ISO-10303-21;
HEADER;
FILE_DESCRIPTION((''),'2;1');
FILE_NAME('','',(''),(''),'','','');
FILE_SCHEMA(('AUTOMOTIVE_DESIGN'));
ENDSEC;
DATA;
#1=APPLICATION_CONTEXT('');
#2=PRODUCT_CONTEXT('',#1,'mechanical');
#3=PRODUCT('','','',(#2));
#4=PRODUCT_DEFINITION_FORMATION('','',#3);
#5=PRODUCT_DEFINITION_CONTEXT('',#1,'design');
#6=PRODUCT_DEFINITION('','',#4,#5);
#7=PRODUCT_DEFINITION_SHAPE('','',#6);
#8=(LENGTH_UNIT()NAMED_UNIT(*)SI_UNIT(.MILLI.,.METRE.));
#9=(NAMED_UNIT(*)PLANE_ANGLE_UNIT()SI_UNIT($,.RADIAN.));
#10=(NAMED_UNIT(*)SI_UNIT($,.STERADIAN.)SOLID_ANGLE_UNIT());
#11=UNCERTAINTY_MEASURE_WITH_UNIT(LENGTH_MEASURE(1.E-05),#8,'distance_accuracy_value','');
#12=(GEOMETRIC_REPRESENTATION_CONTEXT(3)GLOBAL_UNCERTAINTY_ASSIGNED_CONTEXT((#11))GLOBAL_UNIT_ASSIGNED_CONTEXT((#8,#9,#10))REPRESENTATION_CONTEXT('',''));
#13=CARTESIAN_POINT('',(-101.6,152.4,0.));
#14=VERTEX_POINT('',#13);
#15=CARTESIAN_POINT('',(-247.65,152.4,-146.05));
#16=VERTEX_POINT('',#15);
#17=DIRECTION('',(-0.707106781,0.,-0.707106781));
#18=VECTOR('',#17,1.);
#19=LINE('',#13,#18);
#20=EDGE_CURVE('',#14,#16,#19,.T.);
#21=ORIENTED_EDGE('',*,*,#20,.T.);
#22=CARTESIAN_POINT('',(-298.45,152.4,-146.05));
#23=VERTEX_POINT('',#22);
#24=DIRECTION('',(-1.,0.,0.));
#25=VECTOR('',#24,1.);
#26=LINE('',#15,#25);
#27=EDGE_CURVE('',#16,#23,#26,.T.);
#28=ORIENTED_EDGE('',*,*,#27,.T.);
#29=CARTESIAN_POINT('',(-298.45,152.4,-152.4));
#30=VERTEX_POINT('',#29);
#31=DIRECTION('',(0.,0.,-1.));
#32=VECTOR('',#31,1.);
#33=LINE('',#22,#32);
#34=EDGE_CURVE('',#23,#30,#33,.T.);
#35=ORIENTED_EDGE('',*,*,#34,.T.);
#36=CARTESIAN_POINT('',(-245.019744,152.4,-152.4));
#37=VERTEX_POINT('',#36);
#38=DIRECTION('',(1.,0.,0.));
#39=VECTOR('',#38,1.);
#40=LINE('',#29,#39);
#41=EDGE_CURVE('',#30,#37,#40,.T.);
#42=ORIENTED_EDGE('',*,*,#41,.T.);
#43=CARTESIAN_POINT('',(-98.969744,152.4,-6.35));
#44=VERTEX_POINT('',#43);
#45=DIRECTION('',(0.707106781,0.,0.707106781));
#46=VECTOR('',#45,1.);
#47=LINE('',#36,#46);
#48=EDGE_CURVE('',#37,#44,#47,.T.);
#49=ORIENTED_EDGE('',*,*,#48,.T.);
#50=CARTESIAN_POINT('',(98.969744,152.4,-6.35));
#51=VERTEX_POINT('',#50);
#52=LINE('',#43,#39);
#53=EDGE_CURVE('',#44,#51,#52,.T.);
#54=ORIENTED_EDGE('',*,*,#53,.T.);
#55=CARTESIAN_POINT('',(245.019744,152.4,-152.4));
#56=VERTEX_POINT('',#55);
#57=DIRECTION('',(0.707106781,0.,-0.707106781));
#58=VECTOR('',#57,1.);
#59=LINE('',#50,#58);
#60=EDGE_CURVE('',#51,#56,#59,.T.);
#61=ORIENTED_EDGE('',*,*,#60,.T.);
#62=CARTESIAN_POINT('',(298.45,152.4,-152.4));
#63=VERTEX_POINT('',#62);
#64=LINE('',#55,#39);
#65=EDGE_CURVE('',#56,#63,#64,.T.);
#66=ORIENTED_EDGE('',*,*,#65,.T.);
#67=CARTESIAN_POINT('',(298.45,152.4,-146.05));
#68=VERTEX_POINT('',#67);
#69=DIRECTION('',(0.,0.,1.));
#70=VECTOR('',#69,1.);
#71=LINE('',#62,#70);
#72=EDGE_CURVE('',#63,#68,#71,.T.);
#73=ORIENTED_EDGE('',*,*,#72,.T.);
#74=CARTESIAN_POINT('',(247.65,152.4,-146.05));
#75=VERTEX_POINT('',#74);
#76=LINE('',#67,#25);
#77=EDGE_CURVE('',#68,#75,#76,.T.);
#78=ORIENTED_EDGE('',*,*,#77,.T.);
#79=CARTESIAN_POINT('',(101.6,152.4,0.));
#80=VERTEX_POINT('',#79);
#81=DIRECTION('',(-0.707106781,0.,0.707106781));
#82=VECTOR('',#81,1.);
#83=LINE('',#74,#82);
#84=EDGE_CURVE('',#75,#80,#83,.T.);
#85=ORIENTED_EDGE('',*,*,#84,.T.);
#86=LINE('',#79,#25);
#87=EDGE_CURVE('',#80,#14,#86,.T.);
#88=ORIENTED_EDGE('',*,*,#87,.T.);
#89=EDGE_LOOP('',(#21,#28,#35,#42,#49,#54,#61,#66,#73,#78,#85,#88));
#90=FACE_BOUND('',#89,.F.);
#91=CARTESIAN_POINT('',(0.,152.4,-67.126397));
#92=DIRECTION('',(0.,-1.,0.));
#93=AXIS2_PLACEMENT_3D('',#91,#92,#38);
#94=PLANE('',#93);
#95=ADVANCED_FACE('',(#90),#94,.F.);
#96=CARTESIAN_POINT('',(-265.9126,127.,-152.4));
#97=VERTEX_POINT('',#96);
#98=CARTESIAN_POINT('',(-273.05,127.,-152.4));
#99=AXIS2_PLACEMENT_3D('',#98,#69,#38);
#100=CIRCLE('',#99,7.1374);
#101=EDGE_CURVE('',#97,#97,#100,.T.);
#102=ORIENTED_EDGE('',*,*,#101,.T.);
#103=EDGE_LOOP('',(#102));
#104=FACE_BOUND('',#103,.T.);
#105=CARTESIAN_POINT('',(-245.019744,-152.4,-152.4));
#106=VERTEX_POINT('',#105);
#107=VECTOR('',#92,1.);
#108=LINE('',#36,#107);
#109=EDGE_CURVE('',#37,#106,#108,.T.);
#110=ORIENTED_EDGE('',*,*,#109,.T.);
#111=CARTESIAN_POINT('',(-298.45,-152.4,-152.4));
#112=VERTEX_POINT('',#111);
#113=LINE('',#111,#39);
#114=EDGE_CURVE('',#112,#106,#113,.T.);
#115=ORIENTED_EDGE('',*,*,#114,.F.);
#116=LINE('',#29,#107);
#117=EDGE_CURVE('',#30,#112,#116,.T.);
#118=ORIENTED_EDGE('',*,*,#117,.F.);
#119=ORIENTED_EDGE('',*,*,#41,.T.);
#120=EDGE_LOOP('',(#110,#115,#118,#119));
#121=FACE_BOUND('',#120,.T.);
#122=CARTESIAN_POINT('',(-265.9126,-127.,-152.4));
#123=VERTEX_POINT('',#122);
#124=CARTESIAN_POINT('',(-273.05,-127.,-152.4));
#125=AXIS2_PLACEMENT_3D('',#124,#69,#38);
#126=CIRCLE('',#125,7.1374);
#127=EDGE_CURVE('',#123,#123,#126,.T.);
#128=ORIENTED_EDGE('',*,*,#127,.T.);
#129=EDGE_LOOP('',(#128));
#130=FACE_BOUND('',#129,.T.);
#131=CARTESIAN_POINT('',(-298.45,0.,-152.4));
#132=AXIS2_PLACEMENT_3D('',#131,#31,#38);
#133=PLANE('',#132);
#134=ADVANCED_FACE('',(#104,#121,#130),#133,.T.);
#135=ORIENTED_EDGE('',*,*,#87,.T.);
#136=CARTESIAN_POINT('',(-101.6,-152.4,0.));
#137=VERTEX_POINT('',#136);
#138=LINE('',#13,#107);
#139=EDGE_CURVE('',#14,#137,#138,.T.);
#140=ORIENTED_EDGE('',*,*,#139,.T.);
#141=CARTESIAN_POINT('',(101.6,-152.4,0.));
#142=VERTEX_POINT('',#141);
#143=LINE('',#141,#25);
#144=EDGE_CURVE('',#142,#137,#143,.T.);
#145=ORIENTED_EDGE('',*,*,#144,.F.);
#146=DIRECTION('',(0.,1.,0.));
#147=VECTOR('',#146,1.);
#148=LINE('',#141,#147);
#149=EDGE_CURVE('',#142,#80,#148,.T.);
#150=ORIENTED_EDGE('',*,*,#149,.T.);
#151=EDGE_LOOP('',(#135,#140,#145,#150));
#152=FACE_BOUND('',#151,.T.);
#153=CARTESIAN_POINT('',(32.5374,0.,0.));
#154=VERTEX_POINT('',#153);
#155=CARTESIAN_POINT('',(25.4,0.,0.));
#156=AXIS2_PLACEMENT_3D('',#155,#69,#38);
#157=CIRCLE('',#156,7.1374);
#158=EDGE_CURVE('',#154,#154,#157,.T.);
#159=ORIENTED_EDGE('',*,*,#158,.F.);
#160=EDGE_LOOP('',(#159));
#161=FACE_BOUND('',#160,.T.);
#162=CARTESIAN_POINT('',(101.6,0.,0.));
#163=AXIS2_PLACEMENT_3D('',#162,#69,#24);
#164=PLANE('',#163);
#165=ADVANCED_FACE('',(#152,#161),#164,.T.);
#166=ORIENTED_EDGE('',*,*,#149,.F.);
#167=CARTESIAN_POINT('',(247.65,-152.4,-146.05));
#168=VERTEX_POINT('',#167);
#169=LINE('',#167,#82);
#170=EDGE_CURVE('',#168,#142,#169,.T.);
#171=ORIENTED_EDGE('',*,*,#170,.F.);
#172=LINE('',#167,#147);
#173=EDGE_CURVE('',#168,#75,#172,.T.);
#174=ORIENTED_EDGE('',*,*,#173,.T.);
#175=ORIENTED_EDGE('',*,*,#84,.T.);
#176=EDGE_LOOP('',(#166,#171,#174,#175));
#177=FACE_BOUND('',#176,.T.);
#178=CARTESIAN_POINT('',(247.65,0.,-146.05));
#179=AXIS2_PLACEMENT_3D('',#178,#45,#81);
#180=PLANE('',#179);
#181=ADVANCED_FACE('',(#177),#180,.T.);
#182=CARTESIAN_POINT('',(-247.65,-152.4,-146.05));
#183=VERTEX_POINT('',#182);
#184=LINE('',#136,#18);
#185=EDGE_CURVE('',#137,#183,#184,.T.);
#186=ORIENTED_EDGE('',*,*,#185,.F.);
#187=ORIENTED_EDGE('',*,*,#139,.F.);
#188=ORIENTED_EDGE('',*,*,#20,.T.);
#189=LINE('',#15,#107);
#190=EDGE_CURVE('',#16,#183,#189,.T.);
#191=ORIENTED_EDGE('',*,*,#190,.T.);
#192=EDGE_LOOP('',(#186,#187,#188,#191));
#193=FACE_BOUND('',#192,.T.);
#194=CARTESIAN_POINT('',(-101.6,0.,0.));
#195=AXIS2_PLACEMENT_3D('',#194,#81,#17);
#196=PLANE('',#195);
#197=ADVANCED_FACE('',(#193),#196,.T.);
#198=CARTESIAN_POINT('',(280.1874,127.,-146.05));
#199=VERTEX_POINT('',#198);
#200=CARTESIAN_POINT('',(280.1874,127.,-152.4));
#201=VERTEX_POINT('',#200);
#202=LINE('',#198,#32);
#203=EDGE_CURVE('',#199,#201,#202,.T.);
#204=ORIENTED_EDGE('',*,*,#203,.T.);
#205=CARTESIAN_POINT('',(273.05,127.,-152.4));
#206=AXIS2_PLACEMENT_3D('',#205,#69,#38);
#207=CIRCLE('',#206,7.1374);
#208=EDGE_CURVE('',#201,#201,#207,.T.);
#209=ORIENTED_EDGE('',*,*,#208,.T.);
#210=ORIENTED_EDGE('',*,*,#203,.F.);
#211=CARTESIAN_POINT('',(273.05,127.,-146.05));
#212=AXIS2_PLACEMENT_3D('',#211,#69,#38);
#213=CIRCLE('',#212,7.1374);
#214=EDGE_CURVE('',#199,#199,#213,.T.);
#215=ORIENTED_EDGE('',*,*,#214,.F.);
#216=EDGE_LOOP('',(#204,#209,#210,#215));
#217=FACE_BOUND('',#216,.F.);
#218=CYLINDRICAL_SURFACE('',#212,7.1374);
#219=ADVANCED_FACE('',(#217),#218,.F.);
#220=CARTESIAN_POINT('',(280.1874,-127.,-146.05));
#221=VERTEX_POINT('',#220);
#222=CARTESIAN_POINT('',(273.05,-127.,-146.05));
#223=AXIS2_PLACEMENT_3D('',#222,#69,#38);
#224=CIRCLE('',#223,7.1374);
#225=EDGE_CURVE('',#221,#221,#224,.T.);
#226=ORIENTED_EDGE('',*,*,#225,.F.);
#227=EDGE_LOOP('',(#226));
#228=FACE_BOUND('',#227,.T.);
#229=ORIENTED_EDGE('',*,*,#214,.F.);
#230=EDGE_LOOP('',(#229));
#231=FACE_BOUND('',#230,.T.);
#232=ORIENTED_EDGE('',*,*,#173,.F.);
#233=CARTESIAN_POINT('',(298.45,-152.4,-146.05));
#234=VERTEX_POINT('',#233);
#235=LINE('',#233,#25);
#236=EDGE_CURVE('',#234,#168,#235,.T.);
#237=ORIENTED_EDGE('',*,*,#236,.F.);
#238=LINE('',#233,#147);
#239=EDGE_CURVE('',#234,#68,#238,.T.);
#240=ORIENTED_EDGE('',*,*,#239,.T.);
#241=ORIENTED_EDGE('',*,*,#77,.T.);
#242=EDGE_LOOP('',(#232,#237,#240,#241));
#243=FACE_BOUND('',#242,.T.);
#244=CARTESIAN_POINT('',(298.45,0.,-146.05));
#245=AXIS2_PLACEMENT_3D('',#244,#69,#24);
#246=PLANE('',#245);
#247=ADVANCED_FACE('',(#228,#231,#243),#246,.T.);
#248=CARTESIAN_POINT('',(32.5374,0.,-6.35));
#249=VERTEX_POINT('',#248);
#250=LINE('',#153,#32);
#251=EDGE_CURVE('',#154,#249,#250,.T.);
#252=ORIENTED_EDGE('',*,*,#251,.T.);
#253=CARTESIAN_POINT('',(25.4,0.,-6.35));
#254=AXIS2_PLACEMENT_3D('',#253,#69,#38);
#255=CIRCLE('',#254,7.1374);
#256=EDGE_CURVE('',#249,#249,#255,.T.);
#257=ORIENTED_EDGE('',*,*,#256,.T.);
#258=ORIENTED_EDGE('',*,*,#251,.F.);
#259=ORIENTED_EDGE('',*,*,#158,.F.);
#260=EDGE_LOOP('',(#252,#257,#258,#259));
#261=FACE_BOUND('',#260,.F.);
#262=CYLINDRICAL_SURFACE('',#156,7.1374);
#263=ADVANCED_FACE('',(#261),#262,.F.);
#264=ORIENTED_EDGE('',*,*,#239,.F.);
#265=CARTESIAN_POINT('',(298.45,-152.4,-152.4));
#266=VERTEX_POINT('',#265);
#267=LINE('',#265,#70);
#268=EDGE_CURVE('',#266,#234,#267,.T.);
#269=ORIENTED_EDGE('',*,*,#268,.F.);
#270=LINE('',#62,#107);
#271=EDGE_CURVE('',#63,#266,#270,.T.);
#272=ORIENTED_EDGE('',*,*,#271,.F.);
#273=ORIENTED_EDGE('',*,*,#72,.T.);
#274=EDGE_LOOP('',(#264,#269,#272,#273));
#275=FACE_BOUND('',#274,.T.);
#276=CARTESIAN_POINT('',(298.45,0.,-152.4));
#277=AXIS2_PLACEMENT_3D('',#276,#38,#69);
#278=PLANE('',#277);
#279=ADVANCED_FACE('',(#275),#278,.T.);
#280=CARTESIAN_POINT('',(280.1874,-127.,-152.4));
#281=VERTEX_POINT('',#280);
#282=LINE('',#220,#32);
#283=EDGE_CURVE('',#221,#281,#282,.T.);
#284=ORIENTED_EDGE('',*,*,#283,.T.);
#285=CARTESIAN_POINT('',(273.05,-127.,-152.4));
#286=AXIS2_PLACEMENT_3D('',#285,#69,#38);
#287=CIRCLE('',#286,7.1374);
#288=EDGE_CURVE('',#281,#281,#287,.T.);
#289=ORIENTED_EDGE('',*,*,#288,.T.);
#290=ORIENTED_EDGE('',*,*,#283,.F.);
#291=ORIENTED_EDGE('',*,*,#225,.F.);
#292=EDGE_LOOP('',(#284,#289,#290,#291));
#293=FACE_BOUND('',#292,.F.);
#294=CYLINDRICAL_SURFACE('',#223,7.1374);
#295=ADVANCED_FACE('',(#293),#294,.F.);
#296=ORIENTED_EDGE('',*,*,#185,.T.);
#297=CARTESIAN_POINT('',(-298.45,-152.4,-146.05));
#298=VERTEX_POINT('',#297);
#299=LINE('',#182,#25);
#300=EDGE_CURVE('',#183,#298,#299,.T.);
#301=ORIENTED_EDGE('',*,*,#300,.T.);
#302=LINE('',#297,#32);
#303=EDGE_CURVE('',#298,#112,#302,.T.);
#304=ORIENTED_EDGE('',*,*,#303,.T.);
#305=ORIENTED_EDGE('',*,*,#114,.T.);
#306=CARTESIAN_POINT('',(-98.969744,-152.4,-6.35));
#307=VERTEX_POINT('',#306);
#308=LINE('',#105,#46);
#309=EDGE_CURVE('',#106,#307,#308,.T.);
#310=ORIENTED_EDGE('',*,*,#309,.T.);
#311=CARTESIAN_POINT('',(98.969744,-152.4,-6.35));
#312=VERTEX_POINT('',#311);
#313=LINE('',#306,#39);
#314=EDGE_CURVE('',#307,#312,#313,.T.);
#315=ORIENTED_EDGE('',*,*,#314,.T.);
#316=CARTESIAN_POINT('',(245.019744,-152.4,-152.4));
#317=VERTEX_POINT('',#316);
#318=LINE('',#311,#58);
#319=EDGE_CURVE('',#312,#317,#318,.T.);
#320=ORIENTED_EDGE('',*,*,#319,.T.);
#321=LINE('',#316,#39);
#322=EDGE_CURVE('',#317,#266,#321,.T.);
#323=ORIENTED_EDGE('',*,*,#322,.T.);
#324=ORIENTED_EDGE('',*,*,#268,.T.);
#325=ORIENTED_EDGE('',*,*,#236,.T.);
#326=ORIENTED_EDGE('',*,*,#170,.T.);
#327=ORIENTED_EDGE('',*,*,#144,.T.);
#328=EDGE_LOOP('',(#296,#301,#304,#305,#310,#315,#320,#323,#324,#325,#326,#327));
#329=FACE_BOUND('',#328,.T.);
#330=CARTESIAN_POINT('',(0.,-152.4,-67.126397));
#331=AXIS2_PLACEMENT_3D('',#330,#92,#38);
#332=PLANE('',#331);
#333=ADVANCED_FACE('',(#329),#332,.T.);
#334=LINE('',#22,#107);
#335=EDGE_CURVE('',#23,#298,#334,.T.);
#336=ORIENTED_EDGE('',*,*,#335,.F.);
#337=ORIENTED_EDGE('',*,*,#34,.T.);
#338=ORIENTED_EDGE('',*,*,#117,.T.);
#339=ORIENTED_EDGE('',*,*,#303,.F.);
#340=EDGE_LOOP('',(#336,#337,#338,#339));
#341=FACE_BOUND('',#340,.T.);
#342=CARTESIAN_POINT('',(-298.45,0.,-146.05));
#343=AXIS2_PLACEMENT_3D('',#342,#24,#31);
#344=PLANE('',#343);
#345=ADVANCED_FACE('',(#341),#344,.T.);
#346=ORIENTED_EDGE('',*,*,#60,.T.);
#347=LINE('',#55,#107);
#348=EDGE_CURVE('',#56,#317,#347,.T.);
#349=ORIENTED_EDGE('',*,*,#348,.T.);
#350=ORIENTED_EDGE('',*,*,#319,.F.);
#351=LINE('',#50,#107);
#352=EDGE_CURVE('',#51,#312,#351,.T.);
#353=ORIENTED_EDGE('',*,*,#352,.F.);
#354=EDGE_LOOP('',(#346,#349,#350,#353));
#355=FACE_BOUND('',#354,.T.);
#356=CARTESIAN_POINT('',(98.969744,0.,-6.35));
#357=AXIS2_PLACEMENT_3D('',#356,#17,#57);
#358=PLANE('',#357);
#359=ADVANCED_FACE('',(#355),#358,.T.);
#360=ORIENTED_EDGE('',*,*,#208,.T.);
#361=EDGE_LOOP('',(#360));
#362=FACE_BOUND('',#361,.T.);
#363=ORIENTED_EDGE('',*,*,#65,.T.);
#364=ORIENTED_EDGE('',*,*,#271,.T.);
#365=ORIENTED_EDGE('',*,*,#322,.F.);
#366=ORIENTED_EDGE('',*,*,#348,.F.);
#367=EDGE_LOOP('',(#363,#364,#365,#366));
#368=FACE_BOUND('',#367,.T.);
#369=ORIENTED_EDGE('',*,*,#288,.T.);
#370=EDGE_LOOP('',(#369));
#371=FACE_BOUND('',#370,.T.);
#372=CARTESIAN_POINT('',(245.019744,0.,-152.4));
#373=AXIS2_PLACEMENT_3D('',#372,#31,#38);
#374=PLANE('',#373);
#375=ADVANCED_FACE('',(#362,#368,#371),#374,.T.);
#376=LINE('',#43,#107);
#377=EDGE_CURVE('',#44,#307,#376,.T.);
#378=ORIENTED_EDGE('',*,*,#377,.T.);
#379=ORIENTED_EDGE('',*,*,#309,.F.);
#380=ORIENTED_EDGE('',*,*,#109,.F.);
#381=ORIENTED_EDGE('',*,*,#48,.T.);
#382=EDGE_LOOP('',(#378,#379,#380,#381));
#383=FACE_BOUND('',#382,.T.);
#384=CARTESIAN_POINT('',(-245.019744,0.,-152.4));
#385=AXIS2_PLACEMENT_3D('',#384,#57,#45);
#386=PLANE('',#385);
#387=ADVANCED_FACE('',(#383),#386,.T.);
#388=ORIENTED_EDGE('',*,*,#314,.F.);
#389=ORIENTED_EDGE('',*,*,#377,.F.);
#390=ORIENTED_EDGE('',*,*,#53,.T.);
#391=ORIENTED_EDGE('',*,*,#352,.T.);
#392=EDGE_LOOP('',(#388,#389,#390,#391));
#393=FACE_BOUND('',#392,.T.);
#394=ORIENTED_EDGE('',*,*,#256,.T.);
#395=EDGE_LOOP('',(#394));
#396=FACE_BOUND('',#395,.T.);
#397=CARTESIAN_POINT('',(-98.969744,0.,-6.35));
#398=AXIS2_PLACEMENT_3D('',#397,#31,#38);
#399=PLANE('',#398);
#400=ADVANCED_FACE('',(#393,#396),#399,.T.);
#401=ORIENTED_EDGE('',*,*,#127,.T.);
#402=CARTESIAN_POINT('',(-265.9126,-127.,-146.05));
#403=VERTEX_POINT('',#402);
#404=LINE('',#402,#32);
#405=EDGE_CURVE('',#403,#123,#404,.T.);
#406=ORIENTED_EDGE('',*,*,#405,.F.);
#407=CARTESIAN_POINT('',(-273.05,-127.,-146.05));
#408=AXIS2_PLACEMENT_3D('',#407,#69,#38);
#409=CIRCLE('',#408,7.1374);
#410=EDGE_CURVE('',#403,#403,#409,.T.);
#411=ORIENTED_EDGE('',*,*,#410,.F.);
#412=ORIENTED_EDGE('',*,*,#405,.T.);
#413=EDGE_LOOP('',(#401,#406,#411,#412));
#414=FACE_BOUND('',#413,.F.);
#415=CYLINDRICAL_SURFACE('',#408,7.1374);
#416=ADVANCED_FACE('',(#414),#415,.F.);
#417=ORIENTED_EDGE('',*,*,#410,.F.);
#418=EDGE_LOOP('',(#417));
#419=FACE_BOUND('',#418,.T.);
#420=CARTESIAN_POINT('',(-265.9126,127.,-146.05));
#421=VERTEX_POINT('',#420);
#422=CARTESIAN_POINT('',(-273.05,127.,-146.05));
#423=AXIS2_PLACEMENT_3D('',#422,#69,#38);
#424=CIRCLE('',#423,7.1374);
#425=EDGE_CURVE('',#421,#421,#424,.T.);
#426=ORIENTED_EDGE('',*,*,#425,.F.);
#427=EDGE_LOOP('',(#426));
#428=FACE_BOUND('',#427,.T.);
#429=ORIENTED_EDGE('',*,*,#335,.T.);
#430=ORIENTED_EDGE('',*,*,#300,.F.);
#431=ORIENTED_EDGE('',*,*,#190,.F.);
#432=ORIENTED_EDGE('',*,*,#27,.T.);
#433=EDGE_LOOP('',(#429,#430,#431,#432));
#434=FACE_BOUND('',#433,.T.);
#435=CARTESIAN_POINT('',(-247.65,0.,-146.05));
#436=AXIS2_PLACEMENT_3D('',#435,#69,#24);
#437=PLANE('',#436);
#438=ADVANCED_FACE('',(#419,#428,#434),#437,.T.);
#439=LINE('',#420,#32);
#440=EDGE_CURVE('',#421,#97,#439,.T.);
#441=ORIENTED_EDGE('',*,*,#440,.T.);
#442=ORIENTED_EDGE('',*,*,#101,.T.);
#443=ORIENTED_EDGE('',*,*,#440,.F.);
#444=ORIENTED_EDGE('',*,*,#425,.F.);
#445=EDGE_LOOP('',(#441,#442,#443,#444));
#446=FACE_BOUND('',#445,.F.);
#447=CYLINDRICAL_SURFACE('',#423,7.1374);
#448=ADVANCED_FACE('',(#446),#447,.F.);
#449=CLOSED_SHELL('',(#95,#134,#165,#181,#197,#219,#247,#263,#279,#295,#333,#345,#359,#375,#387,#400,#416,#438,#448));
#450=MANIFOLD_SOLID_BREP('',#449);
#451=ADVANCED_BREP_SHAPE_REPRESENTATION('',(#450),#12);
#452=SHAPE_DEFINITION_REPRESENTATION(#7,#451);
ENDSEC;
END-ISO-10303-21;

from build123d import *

# Parameters (mm, degrees)
F1_DEPTH = 152.4
F2_R     = 7.1374
F3_DEPTH = 6.351
F4_R     = 7.1374
F5_DEPTH = 152.401


with BuildPart() as f1:
    # F0 (on Front) → F1 (new body, symmetric)
    with BuildSketch(Plane.XZ):
        Polygon((101.6, 0), (-101.6, 0), (-247.65, -146.05), (-298.45, -146.05), (-298.45, -152.4), (-245.019744, -152.4), (-98.969744, -6.35), (98.969744, -6.35), (245.019744, -152.4), (298.45, -152.4), (298.45, -146.05), (247.65, -146.05), align=None)
    extrude(amount=F1_DEPTH, both=True)

    # F2 (on face) → F3 (cut, through all)
    with BuildSketch(Plane.XY.offset(-146.05)):
        with Locations((-273.05, -127)):
            Circle(F2_R)
        with Locations((-273.05, 127)):
            Circle(F2_R)
        with Locations((273.05, -127)):
            Circle(F2_R)
        with Locations((273.05, 127)):
            Circle(F2_R)
    extrude(amount=-F3_DEPTH, mode=Mode.SUBTRACT)

    # F4 (on face) → F5 (cut, through all)
    with BuildSketch(Plane.XY):
        with Locations((25.4, 0)):
            Circle(F4_R)
    extrude(amount=-F5_DEPTH, mode=Mode.SUBTRACT)


solid = f1.part
